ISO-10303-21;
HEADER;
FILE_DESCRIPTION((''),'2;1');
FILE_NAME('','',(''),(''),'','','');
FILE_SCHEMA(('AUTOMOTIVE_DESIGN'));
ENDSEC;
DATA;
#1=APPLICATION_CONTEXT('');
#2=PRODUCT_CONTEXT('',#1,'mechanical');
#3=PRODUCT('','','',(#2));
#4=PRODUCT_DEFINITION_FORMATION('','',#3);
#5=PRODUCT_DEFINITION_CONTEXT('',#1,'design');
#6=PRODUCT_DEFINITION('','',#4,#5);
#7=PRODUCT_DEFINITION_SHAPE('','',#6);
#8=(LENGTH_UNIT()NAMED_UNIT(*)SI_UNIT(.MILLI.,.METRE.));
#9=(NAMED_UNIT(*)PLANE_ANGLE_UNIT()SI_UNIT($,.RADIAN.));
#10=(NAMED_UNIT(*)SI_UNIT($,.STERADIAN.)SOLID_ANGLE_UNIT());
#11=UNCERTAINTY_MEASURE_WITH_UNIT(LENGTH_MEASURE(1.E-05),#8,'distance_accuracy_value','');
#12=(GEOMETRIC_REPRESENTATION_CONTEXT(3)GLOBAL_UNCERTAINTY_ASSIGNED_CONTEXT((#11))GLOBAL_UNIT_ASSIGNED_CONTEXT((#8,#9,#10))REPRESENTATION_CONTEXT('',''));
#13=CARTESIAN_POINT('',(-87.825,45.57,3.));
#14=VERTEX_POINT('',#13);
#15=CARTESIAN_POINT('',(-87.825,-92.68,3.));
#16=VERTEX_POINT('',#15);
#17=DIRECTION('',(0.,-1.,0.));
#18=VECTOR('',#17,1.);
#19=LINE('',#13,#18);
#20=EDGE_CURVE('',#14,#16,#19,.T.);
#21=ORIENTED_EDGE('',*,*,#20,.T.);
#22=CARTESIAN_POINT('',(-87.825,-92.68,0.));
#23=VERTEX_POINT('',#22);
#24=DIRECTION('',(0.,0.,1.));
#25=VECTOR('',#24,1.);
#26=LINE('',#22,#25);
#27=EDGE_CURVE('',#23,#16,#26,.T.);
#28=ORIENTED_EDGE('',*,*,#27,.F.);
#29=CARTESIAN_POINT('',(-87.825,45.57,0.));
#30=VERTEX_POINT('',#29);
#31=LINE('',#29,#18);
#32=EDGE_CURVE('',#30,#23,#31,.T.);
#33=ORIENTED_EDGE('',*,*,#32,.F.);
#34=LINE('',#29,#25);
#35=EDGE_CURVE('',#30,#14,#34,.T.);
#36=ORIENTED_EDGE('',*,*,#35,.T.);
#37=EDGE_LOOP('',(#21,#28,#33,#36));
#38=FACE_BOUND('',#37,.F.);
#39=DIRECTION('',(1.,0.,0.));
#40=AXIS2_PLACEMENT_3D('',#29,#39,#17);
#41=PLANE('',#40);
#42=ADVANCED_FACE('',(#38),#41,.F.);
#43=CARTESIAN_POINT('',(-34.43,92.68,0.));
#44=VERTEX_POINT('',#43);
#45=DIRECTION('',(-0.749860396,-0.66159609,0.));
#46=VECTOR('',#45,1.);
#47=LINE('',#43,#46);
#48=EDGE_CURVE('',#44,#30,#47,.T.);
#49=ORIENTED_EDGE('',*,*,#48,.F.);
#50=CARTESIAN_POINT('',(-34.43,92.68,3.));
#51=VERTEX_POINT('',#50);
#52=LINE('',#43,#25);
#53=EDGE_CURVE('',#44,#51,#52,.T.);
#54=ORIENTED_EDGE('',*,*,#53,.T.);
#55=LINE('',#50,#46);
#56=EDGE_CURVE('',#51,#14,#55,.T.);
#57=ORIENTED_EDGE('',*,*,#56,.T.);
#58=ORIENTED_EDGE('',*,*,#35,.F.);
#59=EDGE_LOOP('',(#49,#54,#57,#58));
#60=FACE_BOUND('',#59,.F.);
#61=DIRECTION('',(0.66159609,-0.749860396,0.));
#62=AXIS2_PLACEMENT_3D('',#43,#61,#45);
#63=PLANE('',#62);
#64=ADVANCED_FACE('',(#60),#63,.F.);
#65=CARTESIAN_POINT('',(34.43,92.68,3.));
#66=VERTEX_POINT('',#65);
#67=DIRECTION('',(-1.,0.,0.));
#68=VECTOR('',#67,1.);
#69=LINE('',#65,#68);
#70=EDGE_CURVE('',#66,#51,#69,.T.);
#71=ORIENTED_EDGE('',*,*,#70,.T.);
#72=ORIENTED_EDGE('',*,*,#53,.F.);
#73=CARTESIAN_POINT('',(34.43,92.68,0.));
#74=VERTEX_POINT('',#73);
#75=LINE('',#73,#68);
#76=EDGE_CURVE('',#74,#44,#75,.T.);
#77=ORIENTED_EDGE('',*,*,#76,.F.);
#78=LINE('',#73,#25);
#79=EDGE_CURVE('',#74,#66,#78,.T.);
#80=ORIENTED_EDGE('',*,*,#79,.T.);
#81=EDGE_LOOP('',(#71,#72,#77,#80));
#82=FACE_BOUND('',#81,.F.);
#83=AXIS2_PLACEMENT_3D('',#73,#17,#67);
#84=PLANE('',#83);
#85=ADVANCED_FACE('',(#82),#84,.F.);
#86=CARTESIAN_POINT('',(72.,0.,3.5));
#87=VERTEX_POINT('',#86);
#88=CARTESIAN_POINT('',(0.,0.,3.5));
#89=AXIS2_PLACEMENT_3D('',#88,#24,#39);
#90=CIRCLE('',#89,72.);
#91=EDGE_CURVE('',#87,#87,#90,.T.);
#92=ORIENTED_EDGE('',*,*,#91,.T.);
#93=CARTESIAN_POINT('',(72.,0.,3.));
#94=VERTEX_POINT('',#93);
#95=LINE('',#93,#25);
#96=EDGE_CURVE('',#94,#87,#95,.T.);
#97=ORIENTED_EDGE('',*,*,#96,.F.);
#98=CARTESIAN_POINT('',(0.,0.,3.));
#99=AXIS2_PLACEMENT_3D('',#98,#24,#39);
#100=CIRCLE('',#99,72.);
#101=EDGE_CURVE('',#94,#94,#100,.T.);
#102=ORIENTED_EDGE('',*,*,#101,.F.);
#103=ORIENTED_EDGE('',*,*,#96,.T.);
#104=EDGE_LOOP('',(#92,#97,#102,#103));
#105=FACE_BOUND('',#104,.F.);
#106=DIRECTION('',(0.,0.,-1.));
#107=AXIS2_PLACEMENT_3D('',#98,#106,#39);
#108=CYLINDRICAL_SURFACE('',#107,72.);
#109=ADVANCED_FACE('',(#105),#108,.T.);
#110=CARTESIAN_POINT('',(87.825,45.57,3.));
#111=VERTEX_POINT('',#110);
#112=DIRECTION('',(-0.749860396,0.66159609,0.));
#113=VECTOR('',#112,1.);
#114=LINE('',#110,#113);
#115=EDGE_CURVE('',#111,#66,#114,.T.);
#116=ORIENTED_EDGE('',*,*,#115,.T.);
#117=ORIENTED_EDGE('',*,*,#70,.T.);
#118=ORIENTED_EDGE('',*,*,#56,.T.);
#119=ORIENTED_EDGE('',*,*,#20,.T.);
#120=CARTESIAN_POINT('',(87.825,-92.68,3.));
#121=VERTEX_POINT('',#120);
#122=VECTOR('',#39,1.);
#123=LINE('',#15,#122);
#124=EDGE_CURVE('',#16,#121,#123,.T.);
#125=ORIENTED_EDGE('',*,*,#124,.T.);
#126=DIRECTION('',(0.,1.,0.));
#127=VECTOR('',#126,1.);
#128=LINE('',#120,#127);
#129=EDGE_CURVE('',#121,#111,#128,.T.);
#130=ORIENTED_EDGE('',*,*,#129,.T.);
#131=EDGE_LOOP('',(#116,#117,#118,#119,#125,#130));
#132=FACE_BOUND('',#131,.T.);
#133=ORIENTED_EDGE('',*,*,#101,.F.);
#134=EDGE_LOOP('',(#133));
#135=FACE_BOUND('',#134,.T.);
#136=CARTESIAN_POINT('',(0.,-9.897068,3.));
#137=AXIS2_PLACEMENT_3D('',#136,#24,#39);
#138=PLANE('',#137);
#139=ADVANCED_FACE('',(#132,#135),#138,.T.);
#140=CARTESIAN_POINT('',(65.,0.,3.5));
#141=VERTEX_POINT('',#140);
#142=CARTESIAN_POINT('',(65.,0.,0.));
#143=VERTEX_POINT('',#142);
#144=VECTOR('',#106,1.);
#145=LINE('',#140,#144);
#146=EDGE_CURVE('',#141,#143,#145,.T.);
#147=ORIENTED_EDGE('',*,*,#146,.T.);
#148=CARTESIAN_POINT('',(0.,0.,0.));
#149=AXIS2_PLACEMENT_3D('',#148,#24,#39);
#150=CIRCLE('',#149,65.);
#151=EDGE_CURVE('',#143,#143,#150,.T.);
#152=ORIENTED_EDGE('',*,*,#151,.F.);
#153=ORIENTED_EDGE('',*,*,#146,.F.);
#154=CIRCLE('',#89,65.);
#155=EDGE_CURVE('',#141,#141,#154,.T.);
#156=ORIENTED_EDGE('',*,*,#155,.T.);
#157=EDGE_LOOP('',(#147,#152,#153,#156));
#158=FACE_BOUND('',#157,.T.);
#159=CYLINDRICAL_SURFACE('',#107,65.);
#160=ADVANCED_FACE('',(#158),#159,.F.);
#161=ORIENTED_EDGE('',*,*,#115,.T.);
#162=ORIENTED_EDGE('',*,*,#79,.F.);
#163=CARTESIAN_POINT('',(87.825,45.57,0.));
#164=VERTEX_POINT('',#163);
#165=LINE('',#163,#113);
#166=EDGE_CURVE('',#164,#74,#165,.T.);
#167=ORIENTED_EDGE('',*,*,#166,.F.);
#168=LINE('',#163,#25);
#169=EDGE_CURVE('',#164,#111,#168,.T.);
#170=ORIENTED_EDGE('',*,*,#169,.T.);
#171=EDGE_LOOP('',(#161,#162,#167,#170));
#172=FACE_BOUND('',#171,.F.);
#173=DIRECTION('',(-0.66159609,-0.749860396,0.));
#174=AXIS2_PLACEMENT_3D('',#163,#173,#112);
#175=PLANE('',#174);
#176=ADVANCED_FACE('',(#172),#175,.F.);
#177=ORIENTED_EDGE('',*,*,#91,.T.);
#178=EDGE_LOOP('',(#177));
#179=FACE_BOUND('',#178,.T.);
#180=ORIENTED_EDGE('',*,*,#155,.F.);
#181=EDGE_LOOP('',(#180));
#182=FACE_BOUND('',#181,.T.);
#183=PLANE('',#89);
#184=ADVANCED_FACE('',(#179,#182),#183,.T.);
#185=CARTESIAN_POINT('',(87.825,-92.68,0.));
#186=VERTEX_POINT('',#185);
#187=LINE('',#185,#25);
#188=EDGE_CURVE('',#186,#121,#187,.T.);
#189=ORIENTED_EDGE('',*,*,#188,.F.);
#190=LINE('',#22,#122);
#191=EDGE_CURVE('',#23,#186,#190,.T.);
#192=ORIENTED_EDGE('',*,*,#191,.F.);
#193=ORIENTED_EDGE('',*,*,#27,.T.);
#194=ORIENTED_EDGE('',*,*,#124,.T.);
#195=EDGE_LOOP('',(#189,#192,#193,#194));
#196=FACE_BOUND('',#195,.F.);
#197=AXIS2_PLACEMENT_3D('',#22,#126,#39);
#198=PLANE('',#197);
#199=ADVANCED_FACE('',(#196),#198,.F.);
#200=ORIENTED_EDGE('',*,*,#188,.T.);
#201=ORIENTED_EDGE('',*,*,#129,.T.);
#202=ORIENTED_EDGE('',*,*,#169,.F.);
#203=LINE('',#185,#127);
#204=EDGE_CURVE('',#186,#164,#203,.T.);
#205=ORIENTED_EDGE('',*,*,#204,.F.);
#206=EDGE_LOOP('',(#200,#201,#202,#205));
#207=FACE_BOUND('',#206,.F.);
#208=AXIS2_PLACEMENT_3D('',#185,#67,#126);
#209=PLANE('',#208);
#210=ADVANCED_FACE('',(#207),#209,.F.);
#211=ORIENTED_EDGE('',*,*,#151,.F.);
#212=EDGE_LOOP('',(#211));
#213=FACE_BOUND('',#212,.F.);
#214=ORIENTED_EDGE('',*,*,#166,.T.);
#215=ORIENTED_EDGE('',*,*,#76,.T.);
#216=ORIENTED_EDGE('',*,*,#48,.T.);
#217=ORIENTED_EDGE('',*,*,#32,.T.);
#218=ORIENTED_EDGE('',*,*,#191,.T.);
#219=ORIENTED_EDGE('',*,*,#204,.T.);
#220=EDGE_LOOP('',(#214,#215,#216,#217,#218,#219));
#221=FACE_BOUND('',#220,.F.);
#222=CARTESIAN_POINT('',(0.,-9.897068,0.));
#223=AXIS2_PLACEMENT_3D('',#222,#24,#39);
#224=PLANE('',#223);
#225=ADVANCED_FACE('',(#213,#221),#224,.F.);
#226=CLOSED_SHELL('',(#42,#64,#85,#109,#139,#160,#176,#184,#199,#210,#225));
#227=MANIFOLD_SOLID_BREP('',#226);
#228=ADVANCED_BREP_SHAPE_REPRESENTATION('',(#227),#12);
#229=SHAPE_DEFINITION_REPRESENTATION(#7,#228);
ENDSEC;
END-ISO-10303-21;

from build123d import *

# Parameters (mm, degrees)
F0_R     = 65
F1_DEPTH = 3
F2_R     = 72
F2_R_2   = 65
F3_DEPTH = 0.5


with BuildPart() as f1:
    # F0 (on Top) → F1 (new body)
    with BuildSketch(Plane.XY):
        Polygon((-87.825, -92.68), (87.825, -92.68), (87.825, 45.57), (34.43, 92.68), (-34.43, 92.68), (-87.825, 45.57), align=None)
        Circle(F0_R, mode=Mode.SUBTRACT)
    extrude(amount=F1_DEPTH)

    # F2 (on face) → F3 (join)
    with BuildSketch(Plane.XY.offset(3)):
        Circle(F2_R)
        Circle(F2_R_2, mode=Mode.SUBTRACT)
    extrude(amount=F3_DEPTH)


solid = f1.part
